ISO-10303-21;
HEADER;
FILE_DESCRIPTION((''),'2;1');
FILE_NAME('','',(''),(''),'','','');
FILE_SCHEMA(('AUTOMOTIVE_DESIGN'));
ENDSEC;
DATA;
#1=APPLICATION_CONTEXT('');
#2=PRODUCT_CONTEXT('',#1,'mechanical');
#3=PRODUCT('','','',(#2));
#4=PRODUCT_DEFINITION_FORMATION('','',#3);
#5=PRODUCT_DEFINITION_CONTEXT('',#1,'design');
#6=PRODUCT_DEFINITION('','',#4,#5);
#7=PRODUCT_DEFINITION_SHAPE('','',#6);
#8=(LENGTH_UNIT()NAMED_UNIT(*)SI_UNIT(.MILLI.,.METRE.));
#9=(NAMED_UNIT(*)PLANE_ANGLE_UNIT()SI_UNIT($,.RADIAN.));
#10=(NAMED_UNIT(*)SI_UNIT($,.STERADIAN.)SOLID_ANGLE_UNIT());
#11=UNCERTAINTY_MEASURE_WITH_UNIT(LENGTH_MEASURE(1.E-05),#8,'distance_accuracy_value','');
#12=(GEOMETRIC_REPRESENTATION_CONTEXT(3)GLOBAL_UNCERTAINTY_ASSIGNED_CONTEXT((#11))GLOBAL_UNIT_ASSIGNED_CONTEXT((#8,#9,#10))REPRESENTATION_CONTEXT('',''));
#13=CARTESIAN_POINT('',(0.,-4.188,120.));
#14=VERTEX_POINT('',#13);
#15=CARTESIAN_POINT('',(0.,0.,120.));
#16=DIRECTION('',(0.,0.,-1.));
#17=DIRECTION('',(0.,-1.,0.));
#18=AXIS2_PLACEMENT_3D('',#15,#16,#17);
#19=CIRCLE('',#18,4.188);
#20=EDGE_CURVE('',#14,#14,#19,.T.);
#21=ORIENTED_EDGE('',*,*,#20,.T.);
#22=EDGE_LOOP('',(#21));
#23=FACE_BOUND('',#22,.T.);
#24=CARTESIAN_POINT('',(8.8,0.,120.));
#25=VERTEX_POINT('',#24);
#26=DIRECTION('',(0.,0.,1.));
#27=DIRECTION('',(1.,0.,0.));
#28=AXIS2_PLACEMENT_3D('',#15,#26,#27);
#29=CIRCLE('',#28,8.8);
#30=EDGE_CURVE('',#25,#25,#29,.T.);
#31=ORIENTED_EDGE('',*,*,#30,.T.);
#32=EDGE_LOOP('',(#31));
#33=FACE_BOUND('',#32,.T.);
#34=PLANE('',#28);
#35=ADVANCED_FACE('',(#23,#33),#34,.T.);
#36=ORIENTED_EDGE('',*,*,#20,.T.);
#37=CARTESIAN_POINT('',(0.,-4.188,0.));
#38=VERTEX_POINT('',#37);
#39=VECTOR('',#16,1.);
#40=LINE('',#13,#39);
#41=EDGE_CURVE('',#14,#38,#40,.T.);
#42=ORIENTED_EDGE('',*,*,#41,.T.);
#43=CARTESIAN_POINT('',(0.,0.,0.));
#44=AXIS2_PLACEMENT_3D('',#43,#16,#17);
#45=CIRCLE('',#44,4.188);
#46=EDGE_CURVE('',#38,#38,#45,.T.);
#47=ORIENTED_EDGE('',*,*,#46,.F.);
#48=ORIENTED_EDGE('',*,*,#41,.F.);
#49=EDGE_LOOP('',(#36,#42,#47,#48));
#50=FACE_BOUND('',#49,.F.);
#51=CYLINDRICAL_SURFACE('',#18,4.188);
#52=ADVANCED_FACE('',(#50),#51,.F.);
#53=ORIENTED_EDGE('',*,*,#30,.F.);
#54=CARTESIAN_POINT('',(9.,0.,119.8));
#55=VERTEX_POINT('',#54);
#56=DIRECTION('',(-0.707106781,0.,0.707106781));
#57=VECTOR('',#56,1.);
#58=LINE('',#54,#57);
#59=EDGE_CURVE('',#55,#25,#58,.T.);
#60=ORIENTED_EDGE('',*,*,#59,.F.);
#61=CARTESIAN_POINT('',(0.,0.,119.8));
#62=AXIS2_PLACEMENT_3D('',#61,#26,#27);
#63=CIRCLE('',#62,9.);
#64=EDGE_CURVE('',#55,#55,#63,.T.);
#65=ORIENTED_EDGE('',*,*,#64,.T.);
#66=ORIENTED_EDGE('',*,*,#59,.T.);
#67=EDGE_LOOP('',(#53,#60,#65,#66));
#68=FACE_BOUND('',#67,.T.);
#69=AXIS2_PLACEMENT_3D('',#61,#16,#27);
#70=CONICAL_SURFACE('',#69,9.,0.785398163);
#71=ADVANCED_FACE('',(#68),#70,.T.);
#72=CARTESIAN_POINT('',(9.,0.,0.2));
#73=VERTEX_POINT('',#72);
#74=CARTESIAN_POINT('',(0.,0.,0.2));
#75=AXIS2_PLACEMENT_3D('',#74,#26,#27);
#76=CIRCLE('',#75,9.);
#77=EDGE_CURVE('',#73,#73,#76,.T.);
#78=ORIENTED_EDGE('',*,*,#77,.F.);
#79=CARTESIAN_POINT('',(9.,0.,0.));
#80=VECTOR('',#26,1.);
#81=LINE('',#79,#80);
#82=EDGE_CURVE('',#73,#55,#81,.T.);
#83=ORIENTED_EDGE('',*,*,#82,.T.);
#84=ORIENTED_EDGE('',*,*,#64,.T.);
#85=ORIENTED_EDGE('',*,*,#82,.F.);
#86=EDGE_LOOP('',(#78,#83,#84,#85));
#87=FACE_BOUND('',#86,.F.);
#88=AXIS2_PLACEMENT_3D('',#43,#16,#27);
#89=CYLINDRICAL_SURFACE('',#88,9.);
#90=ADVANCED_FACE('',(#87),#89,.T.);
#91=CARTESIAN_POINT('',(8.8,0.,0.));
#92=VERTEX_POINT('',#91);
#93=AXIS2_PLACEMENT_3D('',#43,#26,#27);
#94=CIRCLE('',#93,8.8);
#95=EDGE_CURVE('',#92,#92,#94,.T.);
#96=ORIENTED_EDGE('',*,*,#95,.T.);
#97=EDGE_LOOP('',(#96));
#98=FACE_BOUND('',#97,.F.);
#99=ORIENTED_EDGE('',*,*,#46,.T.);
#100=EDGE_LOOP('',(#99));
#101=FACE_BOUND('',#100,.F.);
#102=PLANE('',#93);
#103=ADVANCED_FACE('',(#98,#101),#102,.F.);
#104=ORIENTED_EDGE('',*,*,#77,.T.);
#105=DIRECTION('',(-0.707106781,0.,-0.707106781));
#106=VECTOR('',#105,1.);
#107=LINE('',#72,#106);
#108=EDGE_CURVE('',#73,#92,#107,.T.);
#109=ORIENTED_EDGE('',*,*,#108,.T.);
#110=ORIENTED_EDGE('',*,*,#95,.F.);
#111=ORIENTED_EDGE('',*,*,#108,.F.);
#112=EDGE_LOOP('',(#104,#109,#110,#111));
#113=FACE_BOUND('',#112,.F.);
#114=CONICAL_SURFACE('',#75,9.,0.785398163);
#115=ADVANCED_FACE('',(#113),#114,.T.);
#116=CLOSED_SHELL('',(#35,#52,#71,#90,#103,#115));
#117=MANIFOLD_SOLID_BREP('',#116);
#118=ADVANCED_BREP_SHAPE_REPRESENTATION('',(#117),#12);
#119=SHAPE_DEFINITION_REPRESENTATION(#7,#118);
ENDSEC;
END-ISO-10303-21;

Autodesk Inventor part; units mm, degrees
ref_plane "YZ Plane" through (0, 0, 0) normal (1, 0, 0) x (0, 1, 0)
ref_plane "XZ Plane" through (0, 0, 0) normal (0, 1, 0) x (-1, 0, 0)
ref_plane "XY Plane" through (0, 0, 0) normal (0, 0, 1) x (1, 0, 0)
sketch "Sketch1" plane through (0, 0, 0) normal (0, 0, 1) x (1, 0, 0)
  circle A0 centre (0, 0) radius 9
  circle A1 centre (0, 0) radius 7
  dimension "d0" = 18
  dimension "d1" = 2
extrude "Extrusion1" add sketch "Sketch1" along normal blind 120 contours A0 | A1
chamfer "Chamfer1" distance 0.2 angle 45 2 edges at (-9, 0, 0) (-9, 0, 120)
sketch "Sketch2" plane through (0, 0, 120) normal (0, 0, 1) x (1, 0, 0)
  circle A0 centre (0, 0) radius 9 projected
hole "Hole1" at (0, 0, 120) direction (0, 0, -1) diameter 8.376 end through all thread size "M10x1.5" class "6H" standard "ISO Metric profile"
properties part number "buis 18 mm" material "Stainless Steel"
